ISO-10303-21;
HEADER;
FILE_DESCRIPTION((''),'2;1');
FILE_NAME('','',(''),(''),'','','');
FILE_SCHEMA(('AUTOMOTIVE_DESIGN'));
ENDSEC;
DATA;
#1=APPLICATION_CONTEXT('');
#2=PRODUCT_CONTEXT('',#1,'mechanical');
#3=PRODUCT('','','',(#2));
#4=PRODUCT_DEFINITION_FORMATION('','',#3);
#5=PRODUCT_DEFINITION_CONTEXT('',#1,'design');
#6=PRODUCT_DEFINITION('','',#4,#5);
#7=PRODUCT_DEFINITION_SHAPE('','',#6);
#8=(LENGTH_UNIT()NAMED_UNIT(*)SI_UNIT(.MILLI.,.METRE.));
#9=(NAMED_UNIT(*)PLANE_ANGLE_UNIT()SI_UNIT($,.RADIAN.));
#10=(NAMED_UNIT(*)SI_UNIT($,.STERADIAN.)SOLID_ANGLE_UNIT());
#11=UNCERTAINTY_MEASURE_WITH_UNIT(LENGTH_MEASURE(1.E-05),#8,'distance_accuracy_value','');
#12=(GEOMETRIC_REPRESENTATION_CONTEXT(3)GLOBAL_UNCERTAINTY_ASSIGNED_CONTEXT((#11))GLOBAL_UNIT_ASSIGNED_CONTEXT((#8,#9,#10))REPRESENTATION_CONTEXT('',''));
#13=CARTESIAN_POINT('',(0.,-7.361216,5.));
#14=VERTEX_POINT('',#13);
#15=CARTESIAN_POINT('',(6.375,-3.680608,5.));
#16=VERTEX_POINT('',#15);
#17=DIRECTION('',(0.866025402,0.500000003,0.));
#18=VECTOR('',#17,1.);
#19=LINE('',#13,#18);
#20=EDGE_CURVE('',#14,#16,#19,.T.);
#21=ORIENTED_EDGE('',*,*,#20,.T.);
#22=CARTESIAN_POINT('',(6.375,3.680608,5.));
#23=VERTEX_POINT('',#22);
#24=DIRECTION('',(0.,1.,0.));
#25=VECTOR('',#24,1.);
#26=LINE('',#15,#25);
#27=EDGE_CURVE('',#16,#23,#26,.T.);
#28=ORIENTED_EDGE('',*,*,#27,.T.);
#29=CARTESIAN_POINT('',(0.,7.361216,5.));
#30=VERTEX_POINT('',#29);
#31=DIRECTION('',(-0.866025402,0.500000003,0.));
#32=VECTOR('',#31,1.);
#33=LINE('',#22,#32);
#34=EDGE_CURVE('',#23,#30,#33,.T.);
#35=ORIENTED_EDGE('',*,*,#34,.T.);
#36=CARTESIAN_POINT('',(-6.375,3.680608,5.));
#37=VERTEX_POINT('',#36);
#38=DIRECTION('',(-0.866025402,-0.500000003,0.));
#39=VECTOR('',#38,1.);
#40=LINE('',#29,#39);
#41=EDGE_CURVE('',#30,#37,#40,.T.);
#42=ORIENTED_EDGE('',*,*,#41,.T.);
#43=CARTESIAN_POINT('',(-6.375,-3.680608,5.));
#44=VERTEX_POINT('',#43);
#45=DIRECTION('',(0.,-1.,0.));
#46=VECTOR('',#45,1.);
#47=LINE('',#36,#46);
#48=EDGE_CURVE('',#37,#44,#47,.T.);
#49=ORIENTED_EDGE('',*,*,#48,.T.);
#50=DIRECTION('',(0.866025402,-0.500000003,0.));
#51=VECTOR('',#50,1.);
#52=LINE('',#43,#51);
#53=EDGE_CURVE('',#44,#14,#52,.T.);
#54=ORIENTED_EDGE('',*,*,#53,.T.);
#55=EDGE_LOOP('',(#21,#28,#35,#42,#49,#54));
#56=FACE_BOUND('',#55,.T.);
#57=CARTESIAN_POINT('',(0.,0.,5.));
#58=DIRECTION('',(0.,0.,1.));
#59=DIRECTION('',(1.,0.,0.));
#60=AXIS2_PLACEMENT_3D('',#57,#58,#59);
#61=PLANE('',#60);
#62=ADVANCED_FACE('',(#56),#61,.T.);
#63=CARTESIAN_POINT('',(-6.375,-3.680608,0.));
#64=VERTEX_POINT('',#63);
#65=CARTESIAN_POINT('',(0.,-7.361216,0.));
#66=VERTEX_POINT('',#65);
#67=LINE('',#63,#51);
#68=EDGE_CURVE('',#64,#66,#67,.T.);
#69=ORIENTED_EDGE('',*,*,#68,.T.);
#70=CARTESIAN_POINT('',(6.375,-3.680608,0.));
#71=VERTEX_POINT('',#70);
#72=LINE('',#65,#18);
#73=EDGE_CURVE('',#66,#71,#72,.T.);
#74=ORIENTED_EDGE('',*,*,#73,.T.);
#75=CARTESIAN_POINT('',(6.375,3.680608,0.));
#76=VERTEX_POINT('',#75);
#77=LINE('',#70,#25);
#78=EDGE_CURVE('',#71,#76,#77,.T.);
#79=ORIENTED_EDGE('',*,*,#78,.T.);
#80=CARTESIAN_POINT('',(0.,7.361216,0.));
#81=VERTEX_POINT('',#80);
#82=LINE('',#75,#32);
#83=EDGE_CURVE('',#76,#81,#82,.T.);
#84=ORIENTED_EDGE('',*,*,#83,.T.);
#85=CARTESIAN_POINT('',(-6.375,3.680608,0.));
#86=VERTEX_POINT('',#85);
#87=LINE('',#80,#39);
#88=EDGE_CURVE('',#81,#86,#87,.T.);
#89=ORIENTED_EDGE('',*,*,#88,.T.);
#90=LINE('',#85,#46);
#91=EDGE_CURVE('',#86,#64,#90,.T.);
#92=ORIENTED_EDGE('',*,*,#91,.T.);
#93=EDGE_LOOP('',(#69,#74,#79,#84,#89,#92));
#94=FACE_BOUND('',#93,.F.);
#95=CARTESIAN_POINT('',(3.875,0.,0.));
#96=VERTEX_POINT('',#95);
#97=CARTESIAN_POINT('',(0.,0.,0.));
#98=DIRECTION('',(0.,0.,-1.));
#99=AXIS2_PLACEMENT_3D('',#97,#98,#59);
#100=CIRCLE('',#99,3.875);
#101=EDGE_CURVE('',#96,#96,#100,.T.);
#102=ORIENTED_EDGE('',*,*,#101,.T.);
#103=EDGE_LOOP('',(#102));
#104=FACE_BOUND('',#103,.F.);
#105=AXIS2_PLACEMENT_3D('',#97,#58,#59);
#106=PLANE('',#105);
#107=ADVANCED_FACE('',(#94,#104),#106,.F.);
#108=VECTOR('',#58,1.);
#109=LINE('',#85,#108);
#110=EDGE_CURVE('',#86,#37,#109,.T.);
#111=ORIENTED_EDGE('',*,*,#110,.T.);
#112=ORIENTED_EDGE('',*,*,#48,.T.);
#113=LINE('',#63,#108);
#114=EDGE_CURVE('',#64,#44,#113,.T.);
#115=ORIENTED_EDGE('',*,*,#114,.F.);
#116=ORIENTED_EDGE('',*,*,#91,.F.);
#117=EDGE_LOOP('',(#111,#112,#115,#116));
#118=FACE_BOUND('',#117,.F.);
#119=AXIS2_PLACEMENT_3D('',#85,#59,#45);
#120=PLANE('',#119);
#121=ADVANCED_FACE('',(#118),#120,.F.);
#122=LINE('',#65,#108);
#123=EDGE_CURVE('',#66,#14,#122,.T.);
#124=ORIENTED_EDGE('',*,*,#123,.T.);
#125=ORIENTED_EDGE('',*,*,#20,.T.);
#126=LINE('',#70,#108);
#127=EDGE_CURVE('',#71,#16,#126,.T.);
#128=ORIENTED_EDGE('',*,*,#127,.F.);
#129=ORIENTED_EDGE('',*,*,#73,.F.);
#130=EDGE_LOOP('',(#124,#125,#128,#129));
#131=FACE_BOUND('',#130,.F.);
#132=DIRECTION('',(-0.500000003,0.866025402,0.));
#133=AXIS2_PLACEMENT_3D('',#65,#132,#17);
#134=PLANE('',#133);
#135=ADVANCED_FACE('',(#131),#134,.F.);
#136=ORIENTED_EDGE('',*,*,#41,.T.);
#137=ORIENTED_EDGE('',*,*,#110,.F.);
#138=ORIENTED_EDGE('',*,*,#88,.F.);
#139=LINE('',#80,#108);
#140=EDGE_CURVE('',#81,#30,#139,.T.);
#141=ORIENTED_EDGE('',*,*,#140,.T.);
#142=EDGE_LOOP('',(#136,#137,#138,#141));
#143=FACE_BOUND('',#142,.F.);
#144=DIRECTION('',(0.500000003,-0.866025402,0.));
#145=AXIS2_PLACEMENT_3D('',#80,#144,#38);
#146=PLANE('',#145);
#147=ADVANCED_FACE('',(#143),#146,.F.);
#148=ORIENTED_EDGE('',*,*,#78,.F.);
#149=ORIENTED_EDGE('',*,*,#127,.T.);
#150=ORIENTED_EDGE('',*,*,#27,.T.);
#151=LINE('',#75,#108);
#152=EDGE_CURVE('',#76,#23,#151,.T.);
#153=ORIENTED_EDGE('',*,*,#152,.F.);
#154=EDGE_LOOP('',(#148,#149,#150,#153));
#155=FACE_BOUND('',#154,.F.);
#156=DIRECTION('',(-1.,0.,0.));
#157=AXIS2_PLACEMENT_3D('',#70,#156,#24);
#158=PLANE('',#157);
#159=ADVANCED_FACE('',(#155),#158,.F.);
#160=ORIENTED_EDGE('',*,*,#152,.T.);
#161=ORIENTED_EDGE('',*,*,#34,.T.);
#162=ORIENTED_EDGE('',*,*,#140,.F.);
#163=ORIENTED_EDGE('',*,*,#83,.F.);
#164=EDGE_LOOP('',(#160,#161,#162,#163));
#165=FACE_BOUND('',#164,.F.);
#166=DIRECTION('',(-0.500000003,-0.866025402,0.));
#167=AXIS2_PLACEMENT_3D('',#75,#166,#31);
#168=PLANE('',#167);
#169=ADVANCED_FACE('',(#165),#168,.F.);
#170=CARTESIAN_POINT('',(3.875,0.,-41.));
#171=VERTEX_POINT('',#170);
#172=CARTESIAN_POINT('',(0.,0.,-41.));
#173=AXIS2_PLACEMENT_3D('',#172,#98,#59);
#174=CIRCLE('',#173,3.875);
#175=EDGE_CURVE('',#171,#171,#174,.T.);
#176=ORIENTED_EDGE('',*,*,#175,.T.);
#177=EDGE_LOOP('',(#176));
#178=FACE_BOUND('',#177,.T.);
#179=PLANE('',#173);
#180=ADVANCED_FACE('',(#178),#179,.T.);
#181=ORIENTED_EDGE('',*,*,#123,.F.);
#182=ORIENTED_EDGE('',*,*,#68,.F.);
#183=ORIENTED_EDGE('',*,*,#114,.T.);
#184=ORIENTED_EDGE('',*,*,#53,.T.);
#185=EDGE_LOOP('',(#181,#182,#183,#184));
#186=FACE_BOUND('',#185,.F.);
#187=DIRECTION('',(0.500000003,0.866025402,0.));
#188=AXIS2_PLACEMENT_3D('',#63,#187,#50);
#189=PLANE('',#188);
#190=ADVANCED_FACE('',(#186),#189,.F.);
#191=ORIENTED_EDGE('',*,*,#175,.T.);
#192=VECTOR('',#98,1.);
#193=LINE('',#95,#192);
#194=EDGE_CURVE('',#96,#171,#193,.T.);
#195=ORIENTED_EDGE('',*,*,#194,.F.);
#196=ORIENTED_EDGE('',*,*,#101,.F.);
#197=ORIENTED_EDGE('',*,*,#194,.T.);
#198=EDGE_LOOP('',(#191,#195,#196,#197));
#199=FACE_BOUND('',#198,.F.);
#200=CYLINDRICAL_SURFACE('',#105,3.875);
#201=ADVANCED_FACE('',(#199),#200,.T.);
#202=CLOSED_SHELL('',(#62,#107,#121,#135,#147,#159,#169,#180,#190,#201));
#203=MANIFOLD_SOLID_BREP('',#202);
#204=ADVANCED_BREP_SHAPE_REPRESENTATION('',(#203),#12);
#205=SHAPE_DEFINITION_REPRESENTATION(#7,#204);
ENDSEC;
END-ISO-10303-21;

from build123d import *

# Parameters (mm, degrees)
F1_DEPTH = 5
F2_R     = 3.875
F3_DEPTH = 41


with BuildPart() as f1:
    # F0 (on Top) → F1 (new body)
    with BuildSketch(Plane.XY):
        Polygon((6.375, -3.680608), (6.375, 3.680608), (0, 7.361216), (-6.375, 3.680608), (-6.375, -3.680608), (0, -7.361216), align=None)
    extrude(amount=F1_DEPTH)

    # F2 (on face) → F3 (join)
    with BuildSketch(Plane(origin=(0, 0, 0), x_dir=(1, 0, 0), z_dir=(0, 0, -1))):
        Circle(F2_R)
    extrude(amount=F3_DEPTH)


solid = f1.part
